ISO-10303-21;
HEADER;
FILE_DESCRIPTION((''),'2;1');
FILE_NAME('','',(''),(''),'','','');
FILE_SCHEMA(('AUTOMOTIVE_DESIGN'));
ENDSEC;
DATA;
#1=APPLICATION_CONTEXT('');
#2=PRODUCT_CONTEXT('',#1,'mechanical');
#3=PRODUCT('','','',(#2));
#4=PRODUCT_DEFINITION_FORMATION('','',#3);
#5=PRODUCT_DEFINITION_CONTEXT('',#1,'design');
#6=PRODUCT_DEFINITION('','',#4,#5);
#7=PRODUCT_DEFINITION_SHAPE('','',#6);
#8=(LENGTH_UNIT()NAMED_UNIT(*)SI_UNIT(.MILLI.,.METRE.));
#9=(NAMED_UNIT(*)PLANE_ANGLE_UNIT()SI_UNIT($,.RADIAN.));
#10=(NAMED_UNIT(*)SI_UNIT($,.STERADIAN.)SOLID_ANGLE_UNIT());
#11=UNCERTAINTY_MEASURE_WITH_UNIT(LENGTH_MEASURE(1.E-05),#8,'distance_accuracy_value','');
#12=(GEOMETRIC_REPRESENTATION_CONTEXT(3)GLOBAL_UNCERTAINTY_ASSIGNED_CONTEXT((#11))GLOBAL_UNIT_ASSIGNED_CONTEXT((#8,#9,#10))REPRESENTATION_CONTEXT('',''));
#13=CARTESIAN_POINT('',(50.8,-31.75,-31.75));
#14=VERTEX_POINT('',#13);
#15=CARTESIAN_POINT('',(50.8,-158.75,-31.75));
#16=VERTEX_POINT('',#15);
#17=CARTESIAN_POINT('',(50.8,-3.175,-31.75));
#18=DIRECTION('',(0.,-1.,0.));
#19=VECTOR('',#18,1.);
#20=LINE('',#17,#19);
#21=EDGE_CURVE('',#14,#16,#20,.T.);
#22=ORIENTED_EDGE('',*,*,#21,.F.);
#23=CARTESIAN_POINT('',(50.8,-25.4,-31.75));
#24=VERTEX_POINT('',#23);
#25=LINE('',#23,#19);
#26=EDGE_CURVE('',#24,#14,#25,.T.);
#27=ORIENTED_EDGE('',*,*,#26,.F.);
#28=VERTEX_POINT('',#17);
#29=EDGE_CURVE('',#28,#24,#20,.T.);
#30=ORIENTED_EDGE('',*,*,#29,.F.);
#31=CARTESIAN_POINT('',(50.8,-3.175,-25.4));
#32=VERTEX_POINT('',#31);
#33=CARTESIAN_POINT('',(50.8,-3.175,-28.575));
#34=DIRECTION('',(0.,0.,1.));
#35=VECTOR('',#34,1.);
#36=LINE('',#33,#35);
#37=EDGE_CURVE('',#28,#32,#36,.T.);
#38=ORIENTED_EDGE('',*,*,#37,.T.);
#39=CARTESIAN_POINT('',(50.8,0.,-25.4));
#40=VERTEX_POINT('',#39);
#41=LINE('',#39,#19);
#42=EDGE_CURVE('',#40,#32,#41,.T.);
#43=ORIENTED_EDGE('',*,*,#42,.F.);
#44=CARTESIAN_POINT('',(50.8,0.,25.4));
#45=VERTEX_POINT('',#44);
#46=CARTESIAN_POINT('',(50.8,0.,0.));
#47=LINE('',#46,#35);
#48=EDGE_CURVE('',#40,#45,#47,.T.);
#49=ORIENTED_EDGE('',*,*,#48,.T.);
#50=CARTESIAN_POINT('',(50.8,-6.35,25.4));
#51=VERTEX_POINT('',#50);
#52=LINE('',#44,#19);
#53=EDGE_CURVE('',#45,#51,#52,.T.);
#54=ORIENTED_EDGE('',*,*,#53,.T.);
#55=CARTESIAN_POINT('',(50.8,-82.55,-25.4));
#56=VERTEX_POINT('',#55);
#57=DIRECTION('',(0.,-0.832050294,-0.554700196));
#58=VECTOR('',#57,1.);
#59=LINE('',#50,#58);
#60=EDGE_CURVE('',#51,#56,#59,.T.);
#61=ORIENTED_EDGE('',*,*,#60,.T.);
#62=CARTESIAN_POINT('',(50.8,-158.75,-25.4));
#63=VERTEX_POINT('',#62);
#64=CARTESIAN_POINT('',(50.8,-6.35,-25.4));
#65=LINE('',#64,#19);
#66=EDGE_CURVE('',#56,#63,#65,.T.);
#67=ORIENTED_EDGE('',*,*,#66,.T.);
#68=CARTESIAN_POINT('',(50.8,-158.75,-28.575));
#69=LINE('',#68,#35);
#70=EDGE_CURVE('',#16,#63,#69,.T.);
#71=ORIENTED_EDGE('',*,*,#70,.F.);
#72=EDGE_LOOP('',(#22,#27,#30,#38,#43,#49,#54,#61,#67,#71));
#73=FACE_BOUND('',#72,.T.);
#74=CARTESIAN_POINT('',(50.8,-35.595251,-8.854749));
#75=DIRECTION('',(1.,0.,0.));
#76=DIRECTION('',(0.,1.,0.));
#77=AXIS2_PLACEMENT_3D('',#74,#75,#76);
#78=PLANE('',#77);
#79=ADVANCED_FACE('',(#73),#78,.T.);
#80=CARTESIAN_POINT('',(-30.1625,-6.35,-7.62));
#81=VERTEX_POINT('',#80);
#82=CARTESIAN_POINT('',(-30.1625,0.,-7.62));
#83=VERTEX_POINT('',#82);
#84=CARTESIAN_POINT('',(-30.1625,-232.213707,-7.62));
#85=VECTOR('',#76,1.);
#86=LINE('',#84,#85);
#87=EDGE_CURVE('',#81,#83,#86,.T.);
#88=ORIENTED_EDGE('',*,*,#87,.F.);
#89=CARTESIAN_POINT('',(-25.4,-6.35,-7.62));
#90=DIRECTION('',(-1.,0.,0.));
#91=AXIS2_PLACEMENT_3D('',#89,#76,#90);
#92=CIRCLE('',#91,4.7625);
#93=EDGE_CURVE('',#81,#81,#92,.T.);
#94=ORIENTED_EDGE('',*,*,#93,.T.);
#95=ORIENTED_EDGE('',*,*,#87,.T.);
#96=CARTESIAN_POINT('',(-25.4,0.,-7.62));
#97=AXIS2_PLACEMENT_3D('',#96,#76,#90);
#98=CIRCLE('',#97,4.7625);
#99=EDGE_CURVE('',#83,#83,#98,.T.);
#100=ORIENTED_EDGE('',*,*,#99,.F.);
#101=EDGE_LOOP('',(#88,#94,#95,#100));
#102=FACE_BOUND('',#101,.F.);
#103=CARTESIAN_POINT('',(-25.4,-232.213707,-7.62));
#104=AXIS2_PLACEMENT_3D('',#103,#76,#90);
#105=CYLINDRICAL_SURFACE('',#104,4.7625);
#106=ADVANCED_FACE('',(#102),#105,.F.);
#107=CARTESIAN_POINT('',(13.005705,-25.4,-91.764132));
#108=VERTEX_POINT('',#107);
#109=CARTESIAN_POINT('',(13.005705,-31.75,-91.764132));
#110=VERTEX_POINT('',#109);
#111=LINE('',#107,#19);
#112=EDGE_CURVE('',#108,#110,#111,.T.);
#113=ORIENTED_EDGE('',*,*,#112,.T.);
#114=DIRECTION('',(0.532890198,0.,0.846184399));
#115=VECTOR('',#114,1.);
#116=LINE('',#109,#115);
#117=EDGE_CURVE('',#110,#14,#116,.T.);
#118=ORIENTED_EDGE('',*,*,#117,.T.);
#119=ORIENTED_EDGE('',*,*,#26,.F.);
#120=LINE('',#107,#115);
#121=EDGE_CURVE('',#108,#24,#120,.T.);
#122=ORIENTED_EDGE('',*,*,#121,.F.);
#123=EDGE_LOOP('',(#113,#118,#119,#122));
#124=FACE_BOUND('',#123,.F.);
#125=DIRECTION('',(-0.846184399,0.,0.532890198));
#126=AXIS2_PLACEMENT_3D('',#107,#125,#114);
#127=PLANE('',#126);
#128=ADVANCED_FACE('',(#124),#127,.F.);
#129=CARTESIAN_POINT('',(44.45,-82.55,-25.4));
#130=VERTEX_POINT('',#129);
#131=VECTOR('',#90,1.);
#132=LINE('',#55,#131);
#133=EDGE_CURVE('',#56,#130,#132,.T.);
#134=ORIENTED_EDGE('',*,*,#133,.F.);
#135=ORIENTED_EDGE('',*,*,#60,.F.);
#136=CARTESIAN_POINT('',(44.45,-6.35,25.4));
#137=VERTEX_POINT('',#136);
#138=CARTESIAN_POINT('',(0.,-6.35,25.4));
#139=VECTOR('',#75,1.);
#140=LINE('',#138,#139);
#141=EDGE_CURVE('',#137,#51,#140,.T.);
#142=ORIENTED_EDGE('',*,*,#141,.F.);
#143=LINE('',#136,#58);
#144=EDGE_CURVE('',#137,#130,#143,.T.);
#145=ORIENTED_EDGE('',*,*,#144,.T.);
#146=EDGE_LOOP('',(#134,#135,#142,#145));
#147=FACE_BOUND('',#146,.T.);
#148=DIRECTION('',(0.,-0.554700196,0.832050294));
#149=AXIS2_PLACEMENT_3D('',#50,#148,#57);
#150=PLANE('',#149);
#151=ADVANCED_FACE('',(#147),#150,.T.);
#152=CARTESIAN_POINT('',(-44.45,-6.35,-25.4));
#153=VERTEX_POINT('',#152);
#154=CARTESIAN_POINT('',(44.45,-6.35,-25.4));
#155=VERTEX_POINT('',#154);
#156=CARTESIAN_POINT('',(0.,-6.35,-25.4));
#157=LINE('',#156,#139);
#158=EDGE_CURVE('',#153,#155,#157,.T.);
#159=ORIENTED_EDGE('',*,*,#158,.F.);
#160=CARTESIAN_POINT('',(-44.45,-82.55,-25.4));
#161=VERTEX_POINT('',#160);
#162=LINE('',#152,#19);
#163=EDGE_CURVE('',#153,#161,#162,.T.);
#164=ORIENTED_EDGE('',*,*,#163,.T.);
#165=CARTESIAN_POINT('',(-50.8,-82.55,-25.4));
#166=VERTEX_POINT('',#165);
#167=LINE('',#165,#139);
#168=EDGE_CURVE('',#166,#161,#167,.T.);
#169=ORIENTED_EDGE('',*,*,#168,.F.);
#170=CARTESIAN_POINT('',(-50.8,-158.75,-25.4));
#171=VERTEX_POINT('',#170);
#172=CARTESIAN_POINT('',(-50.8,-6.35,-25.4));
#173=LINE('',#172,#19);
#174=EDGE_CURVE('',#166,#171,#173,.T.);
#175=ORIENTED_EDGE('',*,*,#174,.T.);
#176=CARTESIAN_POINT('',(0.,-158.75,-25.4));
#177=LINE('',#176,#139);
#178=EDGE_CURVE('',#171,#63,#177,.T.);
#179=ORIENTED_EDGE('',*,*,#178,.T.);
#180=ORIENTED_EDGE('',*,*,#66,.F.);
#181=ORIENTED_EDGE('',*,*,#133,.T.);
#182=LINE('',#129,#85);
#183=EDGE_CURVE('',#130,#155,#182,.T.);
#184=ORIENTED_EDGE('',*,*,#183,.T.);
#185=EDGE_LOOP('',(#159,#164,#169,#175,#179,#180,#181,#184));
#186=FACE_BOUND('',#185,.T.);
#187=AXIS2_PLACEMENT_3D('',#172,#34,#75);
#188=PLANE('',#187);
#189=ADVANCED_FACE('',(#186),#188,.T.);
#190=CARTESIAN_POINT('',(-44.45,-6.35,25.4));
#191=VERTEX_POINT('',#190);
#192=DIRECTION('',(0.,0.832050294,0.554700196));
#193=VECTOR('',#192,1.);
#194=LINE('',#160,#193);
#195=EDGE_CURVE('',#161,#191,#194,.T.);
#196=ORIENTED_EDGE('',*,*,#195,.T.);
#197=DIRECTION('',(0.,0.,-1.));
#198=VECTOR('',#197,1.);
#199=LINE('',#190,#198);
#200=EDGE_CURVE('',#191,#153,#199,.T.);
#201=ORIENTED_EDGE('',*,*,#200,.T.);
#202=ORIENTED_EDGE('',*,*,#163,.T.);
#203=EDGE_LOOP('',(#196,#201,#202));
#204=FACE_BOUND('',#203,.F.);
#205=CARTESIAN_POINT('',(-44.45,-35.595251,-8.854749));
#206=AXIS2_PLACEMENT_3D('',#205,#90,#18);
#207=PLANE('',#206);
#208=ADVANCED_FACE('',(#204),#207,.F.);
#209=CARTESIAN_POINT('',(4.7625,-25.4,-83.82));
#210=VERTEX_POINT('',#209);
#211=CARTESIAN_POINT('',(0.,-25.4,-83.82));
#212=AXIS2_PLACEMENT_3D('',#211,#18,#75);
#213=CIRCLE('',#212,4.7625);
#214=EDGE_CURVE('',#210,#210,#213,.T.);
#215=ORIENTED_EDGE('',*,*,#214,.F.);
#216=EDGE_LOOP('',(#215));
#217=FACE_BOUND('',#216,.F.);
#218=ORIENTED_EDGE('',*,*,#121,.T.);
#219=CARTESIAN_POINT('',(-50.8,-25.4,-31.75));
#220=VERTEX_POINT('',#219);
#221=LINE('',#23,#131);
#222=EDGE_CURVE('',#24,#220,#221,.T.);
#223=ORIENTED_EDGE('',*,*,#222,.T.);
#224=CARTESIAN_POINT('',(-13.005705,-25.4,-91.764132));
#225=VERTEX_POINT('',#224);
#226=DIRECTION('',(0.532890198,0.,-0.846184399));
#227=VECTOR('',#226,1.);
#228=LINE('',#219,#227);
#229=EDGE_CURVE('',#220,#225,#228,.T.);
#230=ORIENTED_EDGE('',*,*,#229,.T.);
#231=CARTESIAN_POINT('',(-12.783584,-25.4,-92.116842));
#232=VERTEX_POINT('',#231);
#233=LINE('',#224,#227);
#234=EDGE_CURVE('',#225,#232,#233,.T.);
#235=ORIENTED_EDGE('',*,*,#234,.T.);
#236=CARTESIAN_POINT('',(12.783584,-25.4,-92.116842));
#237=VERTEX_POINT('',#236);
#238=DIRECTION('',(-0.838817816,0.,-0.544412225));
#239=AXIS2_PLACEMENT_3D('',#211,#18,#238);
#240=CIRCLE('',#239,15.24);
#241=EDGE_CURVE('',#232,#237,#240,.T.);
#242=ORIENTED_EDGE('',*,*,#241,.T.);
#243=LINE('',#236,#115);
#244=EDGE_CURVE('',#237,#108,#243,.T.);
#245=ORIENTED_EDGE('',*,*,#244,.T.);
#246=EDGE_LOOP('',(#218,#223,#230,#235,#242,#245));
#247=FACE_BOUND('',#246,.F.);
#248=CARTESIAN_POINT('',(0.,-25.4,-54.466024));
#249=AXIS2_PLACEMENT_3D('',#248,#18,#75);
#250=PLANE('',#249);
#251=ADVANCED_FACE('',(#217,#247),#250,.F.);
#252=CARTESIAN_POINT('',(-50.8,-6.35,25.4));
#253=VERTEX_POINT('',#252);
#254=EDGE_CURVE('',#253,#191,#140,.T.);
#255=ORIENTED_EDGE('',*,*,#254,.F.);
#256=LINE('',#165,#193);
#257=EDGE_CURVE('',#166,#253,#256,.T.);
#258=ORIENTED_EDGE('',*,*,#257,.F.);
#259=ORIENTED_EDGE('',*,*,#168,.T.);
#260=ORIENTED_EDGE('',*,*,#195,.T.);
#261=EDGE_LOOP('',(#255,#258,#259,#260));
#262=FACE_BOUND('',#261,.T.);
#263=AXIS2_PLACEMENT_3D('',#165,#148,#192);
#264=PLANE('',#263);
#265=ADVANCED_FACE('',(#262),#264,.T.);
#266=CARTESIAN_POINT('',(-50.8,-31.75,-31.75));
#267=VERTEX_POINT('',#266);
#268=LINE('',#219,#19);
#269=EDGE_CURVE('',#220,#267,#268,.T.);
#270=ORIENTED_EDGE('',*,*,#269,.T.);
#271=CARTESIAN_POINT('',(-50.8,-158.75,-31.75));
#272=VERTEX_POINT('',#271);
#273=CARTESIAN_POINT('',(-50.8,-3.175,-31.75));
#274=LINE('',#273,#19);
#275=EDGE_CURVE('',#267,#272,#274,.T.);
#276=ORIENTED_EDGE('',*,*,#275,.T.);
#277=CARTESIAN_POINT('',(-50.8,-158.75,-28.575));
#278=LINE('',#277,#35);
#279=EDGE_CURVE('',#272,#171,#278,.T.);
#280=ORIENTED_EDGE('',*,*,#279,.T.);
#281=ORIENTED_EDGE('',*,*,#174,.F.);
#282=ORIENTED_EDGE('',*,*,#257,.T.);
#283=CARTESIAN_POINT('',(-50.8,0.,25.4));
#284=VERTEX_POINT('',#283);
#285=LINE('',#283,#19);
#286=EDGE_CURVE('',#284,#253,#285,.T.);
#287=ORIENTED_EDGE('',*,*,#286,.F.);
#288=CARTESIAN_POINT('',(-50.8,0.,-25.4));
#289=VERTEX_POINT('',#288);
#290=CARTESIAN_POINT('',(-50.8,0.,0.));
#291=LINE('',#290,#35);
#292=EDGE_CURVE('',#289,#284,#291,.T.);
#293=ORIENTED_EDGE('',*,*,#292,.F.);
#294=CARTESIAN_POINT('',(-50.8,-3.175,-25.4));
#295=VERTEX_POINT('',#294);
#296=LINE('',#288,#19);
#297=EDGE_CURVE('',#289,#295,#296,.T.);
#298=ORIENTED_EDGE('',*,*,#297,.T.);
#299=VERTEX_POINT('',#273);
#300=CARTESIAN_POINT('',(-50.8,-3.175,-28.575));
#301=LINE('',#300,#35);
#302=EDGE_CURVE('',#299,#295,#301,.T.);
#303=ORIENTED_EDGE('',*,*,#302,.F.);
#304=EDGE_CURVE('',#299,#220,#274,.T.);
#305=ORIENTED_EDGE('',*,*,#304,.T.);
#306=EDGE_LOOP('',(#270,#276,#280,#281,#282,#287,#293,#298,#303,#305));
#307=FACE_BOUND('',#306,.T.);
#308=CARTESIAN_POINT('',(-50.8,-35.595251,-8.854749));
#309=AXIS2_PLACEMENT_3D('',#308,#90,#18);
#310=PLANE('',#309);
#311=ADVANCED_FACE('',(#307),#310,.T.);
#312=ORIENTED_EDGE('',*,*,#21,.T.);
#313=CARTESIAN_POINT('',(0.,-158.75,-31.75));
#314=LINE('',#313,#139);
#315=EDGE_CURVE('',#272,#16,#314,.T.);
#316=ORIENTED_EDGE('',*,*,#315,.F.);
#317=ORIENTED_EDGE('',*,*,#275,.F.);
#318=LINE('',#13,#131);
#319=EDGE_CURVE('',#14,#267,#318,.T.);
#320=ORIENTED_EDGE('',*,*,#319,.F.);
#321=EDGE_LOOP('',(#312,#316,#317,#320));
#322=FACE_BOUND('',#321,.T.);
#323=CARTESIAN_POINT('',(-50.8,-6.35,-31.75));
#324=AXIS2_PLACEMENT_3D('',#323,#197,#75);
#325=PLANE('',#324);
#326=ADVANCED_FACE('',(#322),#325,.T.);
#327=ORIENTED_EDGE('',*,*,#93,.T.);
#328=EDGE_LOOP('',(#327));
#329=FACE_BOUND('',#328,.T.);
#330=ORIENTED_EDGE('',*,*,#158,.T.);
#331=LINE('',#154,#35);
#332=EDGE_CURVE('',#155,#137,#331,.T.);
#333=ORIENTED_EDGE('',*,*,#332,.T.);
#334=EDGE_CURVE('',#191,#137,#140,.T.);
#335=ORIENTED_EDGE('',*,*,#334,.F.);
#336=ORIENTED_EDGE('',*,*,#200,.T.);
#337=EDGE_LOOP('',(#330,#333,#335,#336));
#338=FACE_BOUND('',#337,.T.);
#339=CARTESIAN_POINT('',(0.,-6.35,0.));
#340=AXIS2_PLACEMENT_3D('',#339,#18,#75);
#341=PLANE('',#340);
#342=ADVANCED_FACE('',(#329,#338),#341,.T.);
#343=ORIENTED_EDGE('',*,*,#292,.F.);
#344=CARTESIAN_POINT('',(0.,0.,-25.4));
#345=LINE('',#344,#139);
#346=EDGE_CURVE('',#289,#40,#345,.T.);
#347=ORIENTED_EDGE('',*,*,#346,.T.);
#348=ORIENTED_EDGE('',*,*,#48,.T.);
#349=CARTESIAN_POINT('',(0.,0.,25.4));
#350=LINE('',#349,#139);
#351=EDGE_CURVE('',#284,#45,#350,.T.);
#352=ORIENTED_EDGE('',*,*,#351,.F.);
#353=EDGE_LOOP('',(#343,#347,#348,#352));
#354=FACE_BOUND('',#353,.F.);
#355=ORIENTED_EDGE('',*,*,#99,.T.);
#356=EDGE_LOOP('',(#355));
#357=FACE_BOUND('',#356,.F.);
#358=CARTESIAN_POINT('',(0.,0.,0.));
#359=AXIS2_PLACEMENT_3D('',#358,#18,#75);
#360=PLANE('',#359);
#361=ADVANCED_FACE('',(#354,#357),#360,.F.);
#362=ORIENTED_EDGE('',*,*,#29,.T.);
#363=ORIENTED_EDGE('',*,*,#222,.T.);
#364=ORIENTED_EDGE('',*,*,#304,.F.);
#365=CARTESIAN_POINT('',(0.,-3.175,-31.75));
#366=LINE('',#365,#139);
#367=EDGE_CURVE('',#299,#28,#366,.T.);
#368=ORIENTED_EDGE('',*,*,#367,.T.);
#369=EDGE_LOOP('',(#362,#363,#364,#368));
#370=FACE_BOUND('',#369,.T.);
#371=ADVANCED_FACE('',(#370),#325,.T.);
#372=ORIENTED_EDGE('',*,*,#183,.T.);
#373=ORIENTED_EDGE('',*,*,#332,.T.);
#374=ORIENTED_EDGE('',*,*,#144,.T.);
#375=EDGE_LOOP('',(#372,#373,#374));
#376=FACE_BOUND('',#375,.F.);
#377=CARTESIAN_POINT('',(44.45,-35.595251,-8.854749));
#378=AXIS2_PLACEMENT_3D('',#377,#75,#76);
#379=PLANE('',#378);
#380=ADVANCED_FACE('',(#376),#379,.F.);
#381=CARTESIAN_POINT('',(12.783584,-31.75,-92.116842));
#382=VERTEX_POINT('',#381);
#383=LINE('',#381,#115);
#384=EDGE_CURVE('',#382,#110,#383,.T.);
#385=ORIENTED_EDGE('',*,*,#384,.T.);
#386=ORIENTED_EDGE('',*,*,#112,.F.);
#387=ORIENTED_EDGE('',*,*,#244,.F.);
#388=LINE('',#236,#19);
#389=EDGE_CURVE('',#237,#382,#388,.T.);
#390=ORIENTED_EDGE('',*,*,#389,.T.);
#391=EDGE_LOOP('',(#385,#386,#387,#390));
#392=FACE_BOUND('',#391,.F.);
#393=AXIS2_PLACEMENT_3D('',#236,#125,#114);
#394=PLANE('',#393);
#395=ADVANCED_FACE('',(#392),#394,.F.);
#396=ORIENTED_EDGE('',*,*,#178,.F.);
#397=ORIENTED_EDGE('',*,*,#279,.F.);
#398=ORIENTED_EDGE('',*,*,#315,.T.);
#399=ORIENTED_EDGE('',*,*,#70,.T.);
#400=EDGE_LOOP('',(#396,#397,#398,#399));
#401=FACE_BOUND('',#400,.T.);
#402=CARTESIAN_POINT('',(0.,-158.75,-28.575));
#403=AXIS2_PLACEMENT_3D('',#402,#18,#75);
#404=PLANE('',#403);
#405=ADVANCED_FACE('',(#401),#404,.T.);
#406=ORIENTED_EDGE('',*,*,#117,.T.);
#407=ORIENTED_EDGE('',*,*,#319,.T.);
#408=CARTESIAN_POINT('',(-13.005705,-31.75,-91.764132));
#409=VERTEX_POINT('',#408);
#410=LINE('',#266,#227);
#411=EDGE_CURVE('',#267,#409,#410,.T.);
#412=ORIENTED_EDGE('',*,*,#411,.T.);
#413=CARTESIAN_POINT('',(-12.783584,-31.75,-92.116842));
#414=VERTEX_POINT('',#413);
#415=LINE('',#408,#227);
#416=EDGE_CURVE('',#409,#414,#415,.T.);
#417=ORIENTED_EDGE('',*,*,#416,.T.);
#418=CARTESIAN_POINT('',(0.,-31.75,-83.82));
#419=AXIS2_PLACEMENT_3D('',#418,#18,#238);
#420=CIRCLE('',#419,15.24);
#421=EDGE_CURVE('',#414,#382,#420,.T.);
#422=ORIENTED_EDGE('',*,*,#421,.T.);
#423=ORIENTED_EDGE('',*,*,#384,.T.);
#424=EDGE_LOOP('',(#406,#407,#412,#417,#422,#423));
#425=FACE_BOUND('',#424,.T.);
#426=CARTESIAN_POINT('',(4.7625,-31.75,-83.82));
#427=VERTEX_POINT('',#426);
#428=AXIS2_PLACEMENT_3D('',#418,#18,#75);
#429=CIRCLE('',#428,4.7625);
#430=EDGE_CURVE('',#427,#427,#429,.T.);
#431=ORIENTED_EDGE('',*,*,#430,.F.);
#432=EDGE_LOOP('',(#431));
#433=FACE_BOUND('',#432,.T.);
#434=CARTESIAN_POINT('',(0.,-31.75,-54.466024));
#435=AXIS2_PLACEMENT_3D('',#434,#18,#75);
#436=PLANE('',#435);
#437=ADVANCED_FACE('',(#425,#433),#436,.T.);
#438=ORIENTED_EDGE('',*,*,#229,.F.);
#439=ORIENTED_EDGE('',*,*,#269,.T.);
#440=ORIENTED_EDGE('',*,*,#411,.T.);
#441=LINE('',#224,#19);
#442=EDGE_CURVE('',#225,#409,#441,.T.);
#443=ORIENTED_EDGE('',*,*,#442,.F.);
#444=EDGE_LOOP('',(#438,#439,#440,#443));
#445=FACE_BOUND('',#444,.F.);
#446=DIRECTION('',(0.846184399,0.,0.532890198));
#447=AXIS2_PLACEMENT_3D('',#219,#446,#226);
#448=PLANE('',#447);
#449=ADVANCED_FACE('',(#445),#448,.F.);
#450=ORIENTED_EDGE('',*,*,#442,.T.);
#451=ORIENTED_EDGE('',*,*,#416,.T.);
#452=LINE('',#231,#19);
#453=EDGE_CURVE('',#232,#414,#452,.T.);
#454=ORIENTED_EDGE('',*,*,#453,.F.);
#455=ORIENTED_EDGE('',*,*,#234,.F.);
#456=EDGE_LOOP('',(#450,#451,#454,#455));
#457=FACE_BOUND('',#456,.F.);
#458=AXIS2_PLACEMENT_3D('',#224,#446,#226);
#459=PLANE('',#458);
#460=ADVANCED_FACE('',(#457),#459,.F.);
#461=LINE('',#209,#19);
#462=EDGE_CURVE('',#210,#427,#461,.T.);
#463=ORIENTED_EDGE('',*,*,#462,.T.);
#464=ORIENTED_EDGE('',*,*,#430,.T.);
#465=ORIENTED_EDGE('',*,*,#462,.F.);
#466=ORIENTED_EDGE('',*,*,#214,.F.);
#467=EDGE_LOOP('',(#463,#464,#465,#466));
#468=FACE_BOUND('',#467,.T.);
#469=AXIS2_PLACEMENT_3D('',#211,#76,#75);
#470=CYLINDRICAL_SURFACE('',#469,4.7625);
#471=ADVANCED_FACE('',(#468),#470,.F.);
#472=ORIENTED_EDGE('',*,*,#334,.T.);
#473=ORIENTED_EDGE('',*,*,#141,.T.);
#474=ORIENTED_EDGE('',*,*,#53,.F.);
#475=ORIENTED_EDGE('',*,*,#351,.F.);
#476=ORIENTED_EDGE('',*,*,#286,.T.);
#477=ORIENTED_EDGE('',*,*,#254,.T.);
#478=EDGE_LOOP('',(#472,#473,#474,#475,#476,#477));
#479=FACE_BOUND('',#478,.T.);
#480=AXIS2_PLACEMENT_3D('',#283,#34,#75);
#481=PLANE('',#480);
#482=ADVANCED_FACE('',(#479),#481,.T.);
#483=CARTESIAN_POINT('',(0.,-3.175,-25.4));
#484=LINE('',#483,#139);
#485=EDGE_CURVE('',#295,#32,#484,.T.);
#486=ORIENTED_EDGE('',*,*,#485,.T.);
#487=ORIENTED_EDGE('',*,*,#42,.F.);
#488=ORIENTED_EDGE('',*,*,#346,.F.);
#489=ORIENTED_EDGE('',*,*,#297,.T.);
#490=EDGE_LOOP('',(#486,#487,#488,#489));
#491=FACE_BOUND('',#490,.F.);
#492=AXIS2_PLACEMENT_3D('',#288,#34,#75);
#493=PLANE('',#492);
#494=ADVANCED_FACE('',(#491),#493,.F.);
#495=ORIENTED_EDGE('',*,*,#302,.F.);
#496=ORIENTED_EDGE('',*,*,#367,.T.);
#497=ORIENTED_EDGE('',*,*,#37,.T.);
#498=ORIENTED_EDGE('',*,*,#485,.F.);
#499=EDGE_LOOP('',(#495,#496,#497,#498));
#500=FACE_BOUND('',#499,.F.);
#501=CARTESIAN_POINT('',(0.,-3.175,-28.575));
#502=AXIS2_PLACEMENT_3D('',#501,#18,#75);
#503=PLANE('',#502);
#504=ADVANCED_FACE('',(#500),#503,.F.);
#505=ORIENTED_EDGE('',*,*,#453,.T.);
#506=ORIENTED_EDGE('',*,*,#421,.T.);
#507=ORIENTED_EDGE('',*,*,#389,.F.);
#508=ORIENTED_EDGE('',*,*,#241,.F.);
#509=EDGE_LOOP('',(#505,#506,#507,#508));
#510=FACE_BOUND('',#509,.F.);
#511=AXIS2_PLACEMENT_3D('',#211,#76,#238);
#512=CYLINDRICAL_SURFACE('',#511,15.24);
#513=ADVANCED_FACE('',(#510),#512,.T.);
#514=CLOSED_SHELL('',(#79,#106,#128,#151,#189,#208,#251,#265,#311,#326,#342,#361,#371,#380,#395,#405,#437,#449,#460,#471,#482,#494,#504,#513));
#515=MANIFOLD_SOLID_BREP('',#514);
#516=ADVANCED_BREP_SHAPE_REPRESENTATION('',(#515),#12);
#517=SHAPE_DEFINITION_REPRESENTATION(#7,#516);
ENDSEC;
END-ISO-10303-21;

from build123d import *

# Parameters (mm, degrees)
F0_W          = 101.6
F0_H          = 50.8
F1_DEPTH      = 6.35
F2_W          = 101.6
F2_H          = 6.35
F3_DEPTH      = 152.4
F3_DEPTH_BACK = 3.175
F8_R          = 4.7625
F9_DEPTH      = 6.35
F10_DEPTH     = 6.35
F11_DEPTH     = 6.35
F12_D         = 9.525


with BuildPart() as f1:
    # F0 (on Front) → F1 (new body)
    with BuildSketch(Plane.XZ):
        Rectangle(F0_W, F0_H)
    extrude(amount=F1_DEPTH)

    # F2 (on face) → F3 (join, two sides)
    with BuildSketch(Plane.XZ.offset(6.35)) as f3_sk:
        with Locations((0, -28.575)):
            Rectangle(F2_W, F2_H)
    extrude(amount=F3_DEPTH)
    extrude(f3_sk.sketch, amount=-F3_DEPTH_BACK)

    # F8 (on offset) → F9 (join)
    with BuildSketch(Plane.XZ.offset(25.4)):
        with BuildLine():
            Line((-50.8, -31.75), (-13.0057051322, -91.7641320492))
            Line((-13.0057051322, -91.7641320492), (-12.7835835223, -92.1168423107))
            ThreePointArc((-12.7835835223, -92.1168423107), (0, -99.06), (12.7835835223, -92.1168423107))
            Line((12.7835835223, -92.1168423107), (13.0057051322, -91.7641320492))
            Line((13.0057051322, -91.7641320492), (50.8, -31.75))
            Line((50.8, -31.75), (-50.8, -31.75))
        make_face()
        with Locations((0, -83.82)):
            Circle(F8_R, mode=Mode.SUBTRACT)
    extrude(amount=F9_DEPTH)

    # F5 (on face) → F10 (join)
    with BuildSketch(Plane(origin=(-50.8, 0, 0), x_dir=(0, -1, 0), z_dir=(-1, 0, 0))):
        Polygon((82.55, -25.4), (6.35, 25.4), (6.35, -25.4), align=None)
    extrude(amount=-F10_DEPTH)

    # F4 (on face) → F11 (join)
    with BuildSketch(Plane.YZ.offset(50.8)):
        Polygon((-82.55, -25.4), (-6.35, -25.4), (-6.35, 25.4), align=None)
    extrude(amount=-F11_DEPTH)

    # F12 (through all)
    with Locations(Plane.XZ.offset(6.35)):
        with Locations((-25.4, -7.62)):
            Hole(F12_D / 2)


solid = f1.part
